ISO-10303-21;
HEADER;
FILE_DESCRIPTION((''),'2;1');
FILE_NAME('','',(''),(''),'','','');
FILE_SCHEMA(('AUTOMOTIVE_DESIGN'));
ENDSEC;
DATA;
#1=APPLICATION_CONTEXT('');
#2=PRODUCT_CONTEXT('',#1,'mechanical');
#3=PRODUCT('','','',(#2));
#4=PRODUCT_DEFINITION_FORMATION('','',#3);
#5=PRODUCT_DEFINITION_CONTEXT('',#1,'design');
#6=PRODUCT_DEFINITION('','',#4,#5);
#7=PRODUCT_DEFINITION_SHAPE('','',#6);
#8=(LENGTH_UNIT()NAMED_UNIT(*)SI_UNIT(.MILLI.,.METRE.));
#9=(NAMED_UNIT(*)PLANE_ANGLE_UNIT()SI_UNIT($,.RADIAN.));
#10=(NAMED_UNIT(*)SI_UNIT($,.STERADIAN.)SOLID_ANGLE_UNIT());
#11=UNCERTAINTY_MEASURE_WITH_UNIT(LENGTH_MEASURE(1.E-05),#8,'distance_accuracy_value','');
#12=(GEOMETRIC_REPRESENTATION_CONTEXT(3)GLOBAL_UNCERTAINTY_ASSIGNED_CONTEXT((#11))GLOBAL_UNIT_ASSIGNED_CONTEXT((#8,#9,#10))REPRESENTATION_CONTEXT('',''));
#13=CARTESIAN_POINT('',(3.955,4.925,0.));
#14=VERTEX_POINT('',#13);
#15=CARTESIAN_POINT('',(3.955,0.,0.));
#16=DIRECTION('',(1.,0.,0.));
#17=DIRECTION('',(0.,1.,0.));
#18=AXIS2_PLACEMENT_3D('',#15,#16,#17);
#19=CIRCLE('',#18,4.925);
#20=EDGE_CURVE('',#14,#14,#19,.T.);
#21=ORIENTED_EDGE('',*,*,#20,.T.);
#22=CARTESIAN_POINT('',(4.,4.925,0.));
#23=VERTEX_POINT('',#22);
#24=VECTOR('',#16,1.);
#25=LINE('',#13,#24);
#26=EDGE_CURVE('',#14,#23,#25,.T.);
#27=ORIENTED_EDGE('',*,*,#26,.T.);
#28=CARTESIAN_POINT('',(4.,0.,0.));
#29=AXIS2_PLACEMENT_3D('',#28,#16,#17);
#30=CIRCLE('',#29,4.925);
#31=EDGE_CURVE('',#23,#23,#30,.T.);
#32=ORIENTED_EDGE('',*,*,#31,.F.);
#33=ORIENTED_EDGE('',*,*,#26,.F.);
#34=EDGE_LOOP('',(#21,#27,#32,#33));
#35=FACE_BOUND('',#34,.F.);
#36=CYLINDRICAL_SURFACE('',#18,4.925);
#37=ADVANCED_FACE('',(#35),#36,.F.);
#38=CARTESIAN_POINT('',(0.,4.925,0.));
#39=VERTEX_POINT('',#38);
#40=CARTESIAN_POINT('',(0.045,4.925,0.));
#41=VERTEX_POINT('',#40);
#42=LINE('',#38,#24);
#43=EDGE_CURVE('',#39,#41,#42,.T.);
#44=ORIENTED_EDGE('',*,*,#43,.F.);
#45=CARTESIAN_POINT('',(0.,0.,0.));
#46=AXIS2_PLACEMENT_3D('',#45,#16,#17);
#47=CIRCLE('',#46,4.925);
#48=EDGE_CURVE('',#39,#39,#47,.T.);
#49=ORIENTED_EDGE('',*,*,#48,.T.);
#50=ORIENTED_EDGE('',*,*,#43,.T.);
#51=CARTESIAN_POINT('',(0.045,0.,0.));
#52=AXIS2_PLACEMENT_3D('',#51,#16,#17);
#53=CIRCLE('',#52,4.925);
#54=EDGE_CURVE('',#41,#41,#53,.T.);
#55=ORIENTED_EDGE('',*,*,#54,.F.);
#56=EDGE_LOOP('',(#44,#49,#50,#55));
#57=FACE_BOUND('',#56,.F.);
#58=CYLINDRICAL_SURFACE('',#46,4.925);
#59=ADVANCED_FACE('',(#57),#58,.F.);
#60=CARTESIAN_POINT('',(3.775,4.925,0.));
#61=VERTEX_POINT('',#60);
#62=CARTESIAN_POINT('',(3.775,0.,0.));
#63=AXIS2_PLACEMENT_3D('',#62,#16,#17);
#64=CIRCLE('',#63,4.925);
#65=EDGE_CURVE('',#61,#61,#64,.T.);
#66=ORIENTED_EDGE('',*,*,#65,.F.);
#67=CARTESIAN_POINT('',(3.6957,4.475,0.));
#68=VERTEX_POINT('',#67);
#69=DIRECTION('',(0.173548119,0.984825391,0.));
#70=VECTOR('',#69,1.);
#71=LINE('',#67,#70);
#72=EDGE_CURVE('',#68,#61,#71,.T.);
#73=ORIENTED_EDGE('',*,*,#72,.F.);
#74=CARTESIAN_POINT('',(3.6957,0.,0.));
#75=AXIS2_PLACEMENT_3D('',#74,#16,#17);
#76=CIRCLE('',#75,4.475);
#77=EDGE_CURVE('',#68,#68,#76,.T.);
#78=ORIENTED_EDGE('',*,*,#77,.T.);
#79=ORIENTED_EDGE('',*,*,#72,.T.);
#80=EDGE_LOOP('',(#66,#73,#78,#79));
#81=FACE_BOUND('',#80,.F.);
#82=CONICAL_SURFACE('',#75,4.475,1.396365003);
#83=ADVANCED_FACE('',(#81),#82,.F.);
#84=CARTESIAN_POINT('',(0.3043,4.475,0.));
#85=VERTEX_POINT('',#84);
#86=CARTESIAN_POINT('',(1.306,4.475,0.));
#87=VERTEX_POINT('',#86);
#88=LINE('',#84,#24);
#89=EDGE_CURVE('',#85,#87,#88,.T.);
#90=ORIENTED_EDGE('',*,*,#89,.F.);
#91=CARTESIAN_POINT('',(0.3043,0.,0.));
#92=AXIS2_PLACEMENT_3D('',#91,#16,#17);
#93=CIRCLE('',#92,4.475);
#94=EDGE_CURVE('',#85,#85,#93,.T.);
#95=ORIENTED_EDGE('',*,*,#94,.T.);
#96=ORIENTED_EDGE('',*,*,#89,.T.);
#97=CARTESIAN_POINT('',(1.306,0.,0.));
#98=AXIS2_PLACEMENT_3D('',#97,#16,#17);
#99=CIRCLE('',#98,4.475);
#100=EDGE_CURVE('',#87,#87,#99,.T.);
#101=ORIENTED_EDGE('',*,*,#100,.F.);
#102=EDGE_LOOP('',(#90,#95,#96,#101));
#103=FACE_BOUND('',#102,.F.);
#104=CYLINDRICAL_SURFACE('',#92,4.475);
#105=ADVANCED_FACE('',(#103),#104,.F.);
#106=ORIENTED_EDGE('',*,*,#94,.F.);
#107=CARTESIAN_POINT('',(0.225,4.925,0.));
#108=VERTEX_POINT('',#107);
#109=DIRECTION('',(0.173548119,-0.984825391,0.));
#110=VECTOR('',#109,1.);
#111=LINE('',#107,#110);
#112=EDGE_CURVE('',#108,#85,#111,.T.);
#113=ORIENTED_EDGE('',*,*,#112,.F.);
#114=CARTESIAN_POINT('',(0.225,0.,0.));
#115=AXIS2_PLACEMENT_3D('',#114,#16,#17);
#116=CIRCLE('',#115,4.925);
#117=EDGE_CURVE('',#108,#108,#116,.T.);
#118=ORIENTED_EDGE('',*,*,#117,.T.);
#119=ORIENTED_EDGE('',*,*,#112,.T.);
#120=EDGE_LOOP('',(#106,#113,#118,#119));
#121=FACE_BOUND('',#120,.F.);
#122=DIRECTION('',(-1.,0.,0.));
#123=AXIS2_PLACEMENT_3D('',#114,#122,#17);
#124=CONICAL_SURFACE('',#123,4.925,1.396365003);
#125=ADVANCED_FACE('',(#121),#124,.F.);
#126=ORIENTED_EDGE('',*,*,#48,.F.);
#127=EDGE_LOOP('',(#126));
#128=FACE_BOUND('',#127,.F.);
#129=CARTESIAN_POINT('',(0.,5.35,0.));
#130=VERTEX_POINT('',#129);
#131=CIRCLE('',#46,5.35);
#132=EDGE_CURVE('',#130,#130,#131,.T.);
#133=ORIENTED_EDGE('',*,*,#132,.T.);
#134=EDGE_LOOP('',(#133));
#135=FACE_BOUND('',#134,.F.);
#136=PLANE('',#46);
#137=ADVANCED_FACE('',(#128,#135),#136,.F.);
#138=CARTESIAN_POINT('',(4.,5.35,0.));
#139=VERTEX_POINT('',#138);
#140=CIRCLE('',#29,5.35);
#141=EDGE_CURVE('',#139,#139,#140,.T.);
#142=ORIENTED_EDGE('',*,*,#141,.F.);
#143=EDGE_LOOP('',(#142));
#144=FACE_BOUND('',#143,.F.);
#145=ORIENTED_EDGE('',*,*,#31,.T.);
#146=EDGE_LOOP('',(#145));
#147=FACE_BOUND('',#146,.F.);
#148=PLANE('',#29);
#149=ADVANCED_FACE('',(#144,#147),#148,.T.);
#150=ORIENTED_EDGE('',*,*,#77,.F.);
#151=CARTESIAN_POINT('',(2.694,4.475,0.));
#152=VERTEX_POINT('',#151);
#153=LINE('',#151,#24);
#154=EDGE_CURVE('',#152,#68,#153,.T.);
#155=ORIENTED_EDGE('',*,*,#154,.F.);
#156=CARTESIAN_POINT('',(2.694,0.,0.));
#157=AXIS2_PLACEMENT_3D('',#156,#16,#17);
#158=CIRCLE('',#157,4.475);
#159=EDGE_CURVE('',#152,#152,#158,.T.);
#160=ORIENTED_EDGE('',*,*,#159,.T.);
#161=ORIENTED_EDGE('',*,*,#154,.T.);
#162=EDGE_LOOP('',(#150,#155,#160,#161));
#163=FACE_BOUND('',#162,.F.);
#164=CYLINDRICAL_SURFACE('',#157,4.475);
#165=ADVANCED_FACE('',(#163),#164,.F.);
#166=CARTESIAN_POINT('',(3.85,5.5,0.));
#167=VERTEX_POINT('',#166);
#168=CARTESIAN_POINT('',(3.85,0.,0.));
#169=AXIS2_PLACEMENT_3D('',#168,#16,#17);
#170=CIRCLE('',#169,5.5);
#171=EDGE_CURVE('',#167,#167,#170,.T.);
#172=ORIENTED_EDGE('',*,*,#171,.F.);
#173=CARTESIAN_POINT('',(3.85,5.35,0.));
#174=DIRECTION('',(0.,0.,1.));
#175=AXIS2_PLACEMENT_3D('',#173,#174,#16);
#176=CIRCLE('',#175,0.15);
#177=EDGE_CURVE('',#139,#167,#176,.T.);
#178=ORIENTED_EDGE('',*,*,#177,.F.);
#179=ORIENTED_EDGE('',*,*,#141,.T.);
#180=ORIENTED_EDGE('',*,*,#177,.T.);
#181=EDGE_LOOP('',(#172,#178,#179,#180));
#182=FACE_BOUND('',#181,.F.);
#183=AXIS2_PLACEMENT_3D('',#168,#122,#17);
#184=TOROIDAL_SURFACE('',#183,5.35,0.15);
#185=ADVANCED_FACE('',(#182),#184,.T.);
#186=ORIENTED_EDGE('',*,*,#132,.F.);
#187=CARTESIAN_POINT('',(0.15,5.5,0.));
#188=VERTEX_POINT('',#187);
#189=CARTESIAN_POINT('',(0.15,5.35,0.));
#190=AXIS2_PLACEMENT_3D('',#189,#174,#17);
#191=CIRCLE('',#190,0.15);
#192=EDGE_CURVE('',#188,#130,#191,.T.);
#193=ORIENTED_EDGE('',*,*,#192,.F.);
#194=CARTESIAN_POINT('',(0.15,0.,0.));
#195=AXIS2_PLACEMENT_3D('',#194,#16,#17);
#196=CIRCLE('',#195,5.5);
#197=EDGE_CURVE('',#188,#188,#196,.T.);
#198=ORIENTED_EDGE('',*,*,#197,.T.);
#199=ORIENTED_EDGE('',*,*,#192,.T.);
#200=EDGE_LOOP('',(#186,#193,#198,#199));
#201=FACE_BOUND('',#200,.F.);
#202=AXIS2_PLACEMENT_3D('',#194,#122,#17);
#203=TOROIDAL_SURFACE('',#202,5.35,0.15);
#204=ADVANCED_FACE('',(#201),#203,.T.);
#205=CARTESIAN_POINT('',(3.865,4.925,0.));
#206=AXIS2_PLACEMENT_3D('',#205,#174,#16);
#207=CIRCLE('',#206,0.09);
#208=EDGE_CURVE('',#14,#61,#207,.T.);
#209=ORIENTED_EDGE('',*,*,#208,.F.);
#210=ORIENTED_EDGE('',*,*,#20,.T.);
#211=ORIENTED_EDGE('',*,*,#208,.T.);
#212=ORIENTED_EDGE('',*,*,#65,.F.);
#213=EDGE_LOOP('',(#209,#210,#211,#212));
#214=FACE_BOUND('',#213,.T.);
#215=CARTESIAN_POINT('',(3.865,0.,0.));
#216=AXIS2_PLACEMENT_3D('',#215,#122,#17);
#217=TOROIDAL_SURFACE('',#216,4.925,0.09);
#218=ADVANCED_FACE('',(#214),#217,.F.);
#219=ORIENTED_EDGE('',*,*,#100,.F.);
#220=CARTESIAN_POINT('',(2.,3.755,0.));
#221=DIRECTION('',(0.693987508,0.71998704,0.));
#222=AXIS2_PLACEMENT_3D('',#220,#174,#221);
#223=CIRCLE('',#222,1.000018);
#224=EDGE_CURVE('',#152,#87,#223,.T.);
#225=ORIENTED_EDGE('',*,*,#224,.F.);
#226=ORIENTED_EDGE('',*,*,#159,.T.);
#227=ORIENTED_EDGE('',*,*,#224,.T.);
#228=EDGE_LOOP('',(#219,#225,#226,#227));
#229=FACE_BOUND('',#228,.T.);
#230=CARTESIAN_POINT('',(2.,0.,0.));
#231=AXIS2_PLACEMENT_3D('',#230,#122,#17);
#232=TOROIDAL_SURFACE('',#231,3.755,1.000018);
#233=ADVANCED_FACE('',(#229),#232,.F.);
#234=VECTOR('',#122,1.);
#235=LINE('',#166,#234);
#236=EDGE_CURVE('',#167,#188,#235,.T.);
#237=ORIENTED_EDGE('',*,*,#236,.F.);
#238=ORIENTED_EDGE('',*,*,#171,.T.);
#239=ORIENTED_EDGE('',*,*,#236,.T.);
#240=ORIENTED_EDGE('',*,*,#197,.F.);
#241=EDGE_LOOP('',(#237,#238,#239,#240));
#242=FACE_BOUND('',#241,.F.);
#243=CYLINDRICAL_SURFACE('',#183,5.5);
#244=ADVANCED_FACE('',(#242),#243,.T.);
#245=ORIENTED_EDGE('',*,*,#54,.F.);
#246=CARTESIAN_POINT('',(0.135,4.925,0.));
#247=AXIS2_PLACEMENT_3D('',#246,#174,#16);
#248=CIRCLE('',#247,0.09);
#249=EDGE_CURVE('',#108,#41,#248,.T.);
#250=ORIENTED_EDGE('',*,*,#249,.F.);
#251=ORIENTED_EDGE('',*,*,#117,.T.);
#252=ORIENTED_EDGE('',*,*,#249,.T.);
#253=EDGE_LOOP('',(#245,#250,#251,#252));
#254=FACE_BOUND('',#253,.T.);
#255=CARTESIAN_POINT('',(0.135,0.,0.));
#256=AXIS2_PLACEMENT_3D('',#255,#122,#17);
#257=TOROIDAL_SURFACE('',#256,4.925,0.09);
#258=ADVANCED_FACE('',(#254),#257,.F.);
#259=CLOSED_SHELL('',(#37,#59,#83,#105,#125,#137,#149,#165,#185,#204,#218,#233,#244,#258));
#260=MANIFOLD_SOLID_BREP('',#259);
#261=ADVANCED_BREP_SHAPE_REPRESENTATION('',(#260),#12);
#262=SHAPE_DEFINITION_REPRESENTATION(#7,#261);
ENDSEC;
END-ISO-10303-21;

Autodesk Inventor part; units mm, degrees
ref_plane "YZ Plane" through (0, 0, 0) normal (1, 0, 0) x (0, 1, 0)
ref_plane "XZ Plane" through (0, 0, 0) normal (0, 1, 0) x (-1, 0, 0)
ref_plane "XY Plane" through (0, 0, 0) normal (0, 0, 1) x (1, 0, 0)
sketch "Sketch_17" plane through (0, 0, 0) normal (0, 0, 1) x (1, 0, 0)
  line L0 (50, 0) -> (-50, 0)
  line L1 (0, 5.35) -> (0, 4.925)
  line L2 (0, 4.925) -> (0.045, 4.925)
  arc A0 (0.225, 4.925) -> (0.045, 4.925) centre (0.135, 4.925) ccw
  line L3 (0.225, 4.925) -> (0.3043, 4.475)
  line L4 (0.3043, 4.475) -> (1.306, 4.475)
  arc A1 (2.694, 4.475) -> (1.306, 4.475) centre (2, 3.755) ccw
  line L5 (2.694, 4.475) -> (3.6957, 4.475)
  line L6 (3.6957, 4.475) -> (3.775, 4.925)
  arc A2 (3.955, 4.925) -> (3.775, 4.925) centre (3.865, 4.925) ccw
  line L7 (3.955, 4.925) -> (4, 4.925)
  line L8 (4, 4.925) -> (4, 5.35)
  arc A3 (4, 5.35) -> (3.85, 5.5) centre (3.85, 5.35) ccw
  line L9 (3.85, 5.5) -> (0.15, 5.5)
  arc A4 (0.15, 5.5) -> (0, 5.35) centre (0.15, 5.35) ccw
revolve "Revolution1" add sketch "Sketch_17" angle 360 about axis through (50, 0, 0) along (1, 0, 0)
properties part number "W 619/4-2Z_PART2"
